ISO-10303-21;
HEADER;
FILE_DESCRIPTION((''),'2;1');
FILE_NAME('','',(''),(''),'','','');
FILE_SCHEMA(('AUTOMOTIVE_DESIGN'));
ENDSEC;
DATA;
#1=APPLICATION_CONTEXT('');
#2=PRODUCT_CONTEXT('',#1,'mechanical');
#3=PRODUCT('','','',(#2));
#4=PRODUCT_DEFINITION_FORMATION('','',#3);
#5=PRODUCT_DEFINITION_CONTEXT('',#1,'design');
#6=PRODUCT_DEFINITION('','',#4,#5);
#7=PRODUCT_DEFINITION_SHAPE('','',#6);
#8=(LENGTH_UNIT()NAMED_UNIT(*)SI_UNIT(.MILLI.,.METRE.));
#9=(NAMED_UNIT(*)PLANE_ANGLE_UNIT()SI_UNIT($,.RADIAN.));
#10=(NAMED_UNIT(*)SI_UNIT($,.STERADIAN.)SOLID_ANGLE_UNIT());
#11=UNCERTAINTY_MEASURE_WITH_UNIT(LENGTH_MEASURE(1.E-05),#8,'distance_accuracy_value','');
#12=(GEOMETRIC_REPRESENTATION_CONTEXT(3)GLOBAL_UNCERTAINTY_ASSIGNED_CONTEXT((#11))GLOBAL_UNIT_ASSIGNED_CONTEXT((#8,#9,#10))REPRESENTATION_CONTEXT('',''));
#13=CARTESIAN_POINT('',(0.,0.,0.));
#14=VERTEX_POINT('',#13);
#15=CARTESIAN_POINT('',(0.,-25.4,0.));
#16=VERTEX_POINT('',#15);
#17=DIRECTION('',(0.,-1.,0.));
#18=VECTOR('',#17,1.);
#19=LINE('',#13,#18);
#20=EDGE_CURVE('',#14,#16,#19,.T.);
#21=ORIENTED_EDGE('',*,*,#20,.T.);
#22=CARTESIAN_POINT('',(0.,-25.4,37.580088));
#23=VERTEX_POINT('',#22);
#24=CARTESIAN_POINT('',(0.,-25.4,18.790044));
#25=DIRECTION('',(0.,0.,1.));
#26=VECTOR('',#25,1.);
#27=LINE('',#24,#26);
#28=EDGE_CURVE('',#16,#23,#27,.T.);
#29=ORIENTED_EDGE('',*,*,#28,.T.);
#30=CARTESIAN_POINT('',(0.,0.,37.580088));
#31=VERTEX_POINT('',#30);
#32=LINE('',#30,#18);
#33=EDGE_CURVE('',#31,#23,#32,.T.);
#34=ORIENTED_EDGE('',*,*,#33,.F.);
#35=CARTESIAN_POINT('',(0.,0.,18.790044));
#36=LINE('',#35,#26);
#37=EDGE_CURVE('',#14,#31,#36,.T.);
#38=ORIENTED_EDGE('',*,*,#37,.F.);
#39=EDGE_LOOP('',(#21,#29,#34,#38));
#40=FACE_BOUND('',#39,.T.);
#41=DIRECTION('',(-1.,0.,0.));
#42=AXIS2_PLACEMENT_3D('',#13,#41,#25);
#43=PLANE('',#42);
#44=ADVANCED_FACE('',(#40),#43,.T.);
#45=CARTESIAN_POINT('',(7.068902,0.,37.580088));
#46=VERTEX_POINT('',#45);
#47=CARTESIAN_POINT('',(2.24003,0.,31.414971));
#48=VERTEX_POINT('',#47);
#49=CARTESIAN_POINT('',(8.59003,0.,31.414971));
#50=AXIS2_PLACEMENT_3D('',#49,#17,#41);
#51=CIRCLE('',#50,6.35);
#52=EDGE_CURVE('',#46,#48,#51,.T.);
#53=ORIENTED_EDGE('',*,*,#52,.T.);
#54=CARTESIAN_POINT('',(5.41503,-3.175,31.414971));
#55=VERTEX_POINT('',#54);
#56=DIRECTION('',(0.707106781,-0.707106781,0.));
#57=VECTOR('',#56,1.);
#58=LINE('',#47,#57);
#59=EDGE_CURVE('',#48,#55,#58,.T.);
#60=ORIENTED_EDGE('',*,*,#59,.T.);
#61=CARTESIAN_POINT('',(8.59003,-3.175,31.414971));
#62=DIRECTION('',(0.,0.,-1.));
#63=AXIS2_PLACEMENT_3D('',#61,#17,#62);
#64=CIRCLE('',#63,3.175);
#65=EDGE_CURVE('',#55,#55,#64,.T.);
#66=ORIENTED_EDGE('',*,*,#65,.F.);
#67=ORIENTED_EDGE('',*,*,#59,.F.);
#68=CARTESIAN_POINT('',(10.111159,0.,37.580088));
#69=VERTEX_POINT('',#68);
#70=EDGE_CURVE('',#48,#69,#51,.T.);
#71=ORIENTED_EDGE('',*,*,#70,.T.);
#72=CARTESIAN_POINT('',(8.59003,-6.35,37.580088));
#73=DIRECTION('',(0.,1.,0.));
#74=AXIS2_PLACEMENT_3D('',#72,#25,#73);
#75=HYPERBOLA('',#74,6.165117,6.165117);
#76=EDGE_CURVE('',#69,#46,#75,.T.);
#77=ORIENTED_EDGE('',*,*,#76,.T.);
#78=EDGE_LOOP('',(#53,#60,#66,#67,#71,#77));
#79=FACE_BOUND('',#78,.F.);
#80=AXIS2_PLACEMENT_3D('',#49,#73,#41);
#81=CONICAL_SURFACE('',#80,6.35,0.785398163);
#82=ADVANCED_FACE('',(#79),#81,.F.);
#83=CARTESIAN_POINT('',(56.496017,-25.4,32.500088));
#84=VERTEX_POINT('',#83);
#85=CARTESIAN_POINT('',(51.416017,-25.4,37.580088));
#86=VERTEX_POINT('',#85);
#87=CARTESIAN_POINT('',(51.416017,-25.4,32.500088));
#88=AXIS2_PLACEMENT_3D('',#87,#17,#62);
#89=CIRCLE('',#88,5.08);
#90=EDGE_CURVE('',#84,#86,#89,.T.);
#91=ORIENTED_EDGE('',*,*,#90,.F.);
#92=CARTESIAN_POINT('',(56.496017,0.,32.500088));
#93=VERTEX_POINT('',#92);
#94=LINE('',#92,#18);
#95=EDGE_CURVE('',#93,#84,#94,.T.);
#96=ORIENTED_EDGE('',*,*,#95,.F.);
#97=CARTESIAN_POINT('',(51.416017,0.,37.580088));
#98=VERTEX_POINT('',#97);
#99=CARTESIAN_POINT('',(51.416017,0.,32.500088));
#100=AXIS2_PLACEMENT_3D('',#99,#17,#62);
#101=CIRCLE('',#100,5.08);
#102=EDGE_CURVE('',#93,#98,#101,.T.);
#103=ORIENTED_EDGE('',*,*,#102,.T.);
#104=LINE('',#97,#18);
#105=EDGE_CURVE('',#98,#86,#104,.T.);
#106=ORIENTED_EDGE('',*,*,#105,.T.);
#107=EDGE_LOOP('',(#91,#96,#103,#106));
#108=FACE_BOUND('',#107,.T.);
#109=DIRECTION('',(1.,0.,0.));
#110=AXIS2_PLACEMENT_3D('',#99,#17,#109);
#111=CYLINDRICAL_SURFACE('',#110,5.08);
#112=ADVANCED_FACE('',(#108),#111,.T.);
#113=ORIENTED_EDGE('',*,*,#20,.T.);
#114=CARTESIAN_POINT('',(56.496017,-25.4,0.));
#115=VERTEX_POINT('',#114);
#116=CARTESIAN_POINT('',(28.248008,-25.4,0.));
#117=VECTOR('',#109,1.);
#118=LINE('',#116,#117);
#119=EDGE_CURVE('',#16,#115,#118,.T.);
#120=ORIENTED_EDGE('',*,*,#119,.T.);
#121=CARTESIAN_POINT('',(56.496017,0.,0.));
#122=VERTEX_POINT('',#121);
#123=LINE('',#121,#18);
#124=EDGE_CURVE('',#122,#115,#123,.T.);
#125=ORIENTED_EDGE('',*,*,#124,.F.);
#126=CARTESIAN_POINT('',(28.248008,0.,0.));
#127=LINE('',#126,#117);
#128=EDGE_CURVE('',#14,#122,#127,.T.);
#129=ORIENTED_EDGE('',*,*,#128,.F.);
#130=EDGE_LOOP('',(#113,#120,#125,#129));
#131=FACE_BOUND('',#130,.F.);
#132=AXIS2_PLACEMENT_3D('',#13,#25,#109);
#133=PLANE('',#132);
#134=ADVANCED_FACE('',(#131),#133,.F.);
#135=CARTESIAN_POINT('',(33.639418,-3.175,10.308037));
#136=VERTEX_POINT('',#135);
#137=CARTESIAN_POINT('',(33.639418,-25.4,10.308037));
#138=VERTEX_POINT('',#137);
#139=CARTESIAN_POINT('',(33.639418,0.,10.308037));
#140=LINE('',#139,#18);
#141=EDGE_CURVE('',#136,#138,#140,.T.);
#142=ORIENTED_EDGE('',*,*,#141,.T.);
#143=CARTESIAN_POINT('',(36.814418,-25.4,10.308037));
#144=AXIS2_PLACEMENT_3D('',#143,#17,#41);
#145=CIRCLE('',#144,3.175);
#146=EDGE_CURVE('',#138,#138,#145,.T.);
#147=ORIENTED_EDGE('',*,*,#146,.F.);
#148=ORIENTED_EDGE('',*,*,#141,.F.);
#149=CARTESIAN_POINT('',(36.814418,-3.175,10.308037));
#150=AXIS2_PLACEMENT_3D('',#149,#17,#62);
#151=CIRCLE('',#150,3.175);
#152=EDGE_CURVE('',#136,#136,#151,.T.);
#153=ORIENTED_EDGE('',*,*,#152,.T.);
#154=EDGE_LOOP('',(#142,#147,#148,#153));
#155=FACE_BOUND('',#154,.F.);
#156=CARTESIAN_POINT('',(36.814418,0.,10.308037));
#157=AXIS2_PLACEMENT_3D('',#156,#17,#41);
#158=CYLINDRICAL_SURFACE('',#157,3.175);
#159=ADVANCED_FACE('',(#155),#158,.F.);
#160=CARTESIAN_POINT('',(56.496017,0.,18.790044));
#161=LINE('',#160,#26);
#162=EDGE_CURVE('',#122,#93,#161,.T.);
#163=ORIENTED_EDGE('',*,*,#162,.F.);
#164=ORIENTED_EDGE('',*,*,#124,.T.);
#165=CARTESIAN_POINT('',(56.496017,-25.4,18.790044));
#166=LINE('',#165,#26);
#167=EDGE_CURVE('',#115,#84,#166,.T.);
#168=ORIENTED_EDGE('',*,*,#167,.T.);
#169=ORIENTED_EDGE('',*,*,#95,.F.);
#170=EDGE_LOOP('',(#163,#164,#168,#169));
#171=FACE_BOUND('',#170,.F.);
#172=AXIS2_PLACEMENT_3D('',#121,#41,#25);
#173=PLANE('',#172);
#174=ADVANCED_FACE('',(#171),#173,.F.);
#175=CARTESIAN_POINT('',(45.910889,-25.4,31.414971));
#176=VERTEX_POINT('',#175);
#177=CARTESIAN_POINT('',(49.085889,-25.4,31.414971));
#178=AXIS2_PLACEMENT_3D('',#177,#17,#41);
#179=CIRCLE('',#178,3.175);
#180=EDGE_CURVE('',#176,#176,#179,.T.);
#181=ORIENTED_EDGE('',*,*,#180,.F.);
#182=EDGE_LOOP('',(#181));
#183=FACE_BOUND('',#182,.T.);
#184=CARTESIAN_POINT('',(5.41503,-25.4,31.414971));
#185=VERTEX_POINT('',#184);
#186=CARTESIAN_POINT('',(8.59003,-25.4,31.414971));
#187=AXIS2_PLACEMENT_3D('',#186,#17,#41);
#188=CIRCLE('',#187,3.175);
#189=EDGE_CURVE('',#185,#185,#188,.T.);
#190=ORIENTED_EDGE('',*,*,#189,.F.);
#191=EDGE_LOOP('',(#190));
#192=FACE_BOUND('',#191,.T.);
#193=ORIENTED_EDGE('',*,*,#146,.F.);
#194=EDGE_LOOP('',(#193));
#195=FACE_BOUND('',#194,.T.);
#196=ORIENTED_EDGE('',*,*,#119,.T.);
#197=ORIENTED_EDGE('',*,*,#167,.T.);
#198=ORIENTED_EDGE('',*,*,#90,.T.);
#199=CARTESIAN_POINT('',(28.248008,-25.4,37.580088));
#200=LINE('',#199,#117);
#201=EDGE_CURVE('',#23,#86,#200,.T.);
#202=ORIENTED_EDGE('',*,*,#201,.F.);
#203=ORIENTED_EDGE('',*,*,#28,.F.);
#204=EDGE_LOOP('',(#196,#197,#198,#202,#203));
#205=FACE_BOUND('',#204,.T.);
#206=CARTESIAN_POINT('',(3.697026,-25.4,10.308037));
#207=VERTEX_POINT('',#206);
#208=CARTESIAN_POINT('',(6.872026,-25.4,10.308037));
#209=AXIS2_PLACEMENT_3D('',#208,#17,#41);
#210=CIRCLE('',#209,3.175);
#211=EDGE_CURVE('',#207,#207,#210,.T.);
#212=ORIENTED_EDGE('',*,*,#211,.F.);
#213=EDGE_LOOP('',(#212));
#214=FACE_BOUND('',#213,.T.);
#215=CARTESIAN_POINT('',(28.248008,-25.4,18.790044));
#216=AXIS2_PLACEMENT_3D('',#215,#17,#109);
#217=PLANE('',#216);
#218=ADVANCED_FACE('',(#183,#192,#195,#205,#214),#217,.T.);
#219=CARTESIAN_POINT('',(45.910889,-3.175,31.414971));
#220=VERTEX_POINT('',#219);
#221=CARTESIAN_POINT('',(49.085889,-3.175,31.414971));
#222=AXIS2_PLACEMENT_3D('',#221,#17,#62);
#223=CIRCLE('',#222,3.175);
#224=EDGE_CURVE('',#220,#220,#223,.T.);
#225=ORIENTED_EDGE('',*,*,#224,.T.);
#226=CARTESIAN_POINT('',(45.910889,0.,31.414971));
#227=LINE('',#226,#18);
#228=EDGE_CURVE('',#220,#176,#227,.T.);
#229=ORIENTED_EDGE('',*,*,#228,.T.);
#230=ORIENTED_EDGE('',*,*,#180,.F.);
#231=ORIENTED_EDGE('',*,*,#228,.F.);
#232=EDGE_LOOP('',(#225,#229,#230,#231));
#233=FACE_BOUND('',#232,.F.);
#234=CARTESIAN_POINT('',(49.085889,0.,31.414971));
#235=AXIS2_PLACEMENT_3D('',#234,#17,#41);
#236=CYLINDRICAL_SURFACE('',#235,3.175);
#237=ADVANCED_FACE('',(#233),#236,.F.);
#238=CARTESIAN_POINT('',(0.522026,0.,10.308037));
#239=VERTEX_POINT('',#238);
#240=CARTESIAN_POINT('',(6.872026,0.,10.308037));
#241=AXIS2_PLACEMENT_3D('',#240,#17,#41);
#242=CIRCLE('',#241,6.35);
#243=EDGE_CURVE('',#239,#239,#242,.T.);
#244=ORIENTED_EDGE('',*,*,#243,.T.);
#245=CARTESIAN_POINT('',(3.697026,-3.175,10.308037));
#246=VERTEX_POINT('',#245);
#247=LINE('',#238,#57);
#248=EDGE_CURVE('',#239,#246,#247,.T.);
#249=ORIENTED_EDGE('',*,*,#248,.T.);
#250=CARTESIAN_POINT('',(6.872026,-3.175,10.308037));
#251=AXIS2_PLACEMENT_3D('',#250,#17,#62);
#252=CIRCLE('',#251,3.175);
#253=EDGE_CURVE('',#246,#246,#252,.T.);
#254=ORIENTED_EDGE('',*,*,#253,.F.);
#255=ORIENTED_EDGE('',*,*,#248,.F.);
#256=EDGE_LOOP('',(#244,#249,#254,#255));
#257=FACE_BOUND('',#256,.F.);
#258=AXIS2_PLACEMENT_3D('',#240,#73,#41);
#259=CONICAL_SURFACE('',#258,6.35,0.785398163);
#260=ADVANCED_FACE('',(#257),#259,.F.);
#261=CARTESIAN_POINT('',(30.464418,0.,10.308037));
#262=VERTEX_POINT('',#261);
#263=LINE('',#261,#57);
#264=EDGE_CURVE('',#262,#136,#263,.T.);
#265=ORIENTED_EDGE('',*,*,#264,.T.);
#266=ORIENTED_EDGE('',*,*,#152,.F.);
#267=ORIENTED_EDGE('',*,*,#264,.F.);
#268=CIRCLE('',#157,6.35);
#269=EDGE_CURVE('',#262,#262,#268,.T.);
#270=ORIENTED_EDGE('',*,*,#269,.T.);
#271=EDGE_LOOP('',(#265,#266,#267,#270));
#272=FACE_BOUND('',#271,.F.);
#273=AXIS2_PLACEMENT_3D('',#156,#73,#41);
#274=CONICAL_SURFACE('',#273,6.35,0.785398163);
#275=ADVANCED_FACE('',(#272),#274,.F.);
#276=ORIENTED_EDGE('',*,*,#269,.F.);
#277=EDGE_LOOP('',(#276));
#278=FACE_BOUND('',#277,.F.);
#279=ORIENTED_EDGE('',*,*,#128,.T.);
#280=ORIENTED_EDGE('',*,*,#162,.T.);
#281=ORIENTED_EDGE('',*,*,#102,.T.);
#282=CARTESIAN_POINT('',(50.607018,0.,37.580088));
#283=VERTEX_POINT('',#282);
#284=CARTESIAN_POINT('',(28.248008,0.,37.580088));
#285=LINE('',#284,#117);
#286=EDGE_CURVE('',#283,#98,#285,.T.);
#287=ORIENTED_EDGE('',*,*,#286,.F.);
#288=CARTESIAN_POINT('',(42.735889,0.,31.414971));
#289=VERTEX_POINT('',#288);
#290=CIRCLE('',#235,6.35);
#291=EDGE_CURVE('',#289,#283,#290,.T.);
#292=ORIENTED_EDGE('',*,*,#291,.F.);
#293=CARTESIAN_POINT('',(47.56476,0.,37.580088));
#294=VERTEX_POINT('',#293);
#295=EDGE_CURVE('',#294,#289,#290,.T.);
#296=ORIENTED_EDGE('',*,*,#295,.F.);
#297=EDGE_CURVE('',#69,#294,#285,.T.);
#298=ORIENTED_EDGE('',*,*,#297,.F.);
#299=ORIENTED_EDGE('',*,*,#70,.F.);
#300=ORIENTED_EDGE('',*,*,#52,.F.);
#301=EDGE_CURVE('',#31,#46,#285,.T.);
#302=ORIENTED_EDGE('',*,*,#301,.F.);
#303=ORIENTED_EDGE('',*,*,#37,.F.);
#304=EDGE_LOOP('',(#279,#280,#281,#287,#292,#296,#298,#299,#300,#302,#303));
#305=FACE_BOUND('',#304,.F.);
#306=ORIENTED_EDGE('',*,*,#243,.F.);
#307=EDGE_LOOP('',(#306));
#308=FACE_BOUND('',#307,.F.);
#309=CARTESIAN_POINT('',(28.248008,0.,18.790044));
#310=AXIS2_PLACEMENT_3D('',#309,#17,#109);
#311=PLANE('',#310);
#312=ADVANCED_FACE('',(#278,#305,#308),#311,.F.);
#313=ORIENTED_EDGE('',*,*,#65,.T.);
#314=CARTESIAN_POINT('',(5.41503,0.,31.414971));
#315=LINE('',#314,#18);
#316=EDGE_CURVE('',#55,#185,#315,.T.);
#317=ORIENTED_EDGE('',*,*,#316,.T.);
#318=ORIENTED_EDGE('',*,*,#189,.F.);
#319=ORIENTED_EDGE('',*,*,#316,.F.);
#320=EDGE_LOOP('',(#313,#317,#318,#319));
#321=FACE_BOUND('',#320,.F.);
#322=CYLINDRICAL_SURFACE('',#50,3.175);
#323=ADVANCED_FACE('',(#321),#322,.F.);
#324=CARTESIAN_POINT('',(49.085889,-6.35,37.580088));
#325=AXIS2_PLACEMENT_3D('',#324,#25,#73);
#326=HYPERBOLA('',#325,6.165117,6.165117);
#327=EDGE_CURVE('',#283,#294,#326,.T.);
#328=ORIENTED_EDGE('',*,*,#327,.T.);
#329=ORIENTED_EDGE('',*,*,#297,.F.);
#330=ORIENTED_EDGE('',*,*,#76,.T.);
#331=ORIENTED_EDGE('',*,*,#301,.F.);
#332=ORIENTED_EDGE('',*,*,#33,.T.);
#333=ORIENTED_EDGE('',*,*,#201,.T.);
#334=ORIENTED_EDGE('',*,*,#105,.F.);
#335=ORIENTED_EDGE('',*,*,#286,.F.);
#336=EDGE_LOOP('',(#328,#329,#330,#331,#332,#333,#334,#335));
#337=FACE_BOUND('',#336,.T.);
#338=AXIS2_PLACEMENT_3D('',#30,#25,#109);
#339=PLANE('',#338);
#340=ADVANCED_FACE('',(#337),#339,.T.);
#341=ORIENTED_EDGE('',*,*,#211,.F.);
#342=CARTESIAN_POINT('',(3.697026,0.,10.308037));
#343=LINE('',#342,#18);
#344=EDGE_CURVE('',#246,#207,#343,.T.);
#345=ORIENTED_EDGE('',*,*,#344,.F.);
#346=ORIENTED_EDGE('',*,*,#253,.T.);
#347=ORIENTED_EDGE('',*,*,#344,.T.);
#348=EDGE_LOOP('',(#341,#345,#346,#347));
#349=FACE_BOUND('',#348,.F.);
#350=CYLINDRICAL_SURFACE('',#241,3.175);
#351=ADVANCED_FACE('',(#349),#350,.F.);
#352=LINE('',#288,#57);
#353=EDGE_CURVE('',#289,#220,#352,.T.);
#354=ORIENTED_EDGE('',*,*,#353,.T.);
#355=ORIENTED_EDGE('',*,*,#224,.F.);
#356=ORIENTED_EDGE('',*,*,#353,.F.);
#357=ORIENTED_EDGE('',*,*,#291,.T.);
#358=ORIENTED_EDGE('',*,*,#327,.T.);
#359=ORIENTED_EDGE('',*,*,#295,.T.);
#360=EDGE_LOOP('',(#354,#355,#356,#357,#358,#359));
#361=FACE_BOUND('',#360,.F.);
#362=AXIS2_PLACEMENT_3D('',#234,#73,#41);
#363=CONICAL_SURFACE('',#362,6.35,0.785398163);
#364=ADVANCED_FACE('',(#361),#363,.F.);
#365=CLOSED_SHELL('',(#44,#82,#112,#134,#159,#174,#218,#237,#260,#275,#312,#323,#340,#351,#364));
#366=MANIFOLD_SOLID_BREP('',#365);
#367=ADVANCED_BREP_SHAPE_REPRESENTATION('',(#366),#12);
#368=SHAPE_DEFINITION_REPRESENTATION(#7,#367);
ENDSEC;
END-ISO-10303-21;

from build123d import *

# Parameters (mm, degrees)
F0_W           = 56.4960166812
F0_H           = 37.580087781
F1_DEPTH       = 25.4
F2_R           = 5.08
F4_D           = 6.35
F4_CSINK_D     = 12.7
F4_CSINK_ANGLE = 90


with BuildPart() as f1:
    # F0 (on Front) → F1 (new body)
    with BuildSketch(Plane.XZ):
        with Locations((28.2480083406, 18.7900438905)):
            Rectangle(F0_W, F0_H)
    extrude(amount=F1_DEPTH)

    # F2
    f2_edges = [f1.edges().sort_by_distance(p)[0] for p in [
        (56.496017, -12.7, 37.580088),
    ]]
    fillet(f2_edges, radius=F2_R)

    # F4 (through all)
    with Locations(Plane(origin=(0, 0, 0), x_dir=(1, 0, 0), z_dir=(0, 1, 0))):
        with Locations((8.5900304839, -31.4149707556), (6.8720257841, -10.3080365807), (36.81441769, -10.3080365807), (49.0858890116, -31.4149707556)):
            CounterSinkHole(F4_D / 2, F4_CSINK_D / 2, counter_sink_angle=F4_CSINK_ANGLE)


solid = f1.part
